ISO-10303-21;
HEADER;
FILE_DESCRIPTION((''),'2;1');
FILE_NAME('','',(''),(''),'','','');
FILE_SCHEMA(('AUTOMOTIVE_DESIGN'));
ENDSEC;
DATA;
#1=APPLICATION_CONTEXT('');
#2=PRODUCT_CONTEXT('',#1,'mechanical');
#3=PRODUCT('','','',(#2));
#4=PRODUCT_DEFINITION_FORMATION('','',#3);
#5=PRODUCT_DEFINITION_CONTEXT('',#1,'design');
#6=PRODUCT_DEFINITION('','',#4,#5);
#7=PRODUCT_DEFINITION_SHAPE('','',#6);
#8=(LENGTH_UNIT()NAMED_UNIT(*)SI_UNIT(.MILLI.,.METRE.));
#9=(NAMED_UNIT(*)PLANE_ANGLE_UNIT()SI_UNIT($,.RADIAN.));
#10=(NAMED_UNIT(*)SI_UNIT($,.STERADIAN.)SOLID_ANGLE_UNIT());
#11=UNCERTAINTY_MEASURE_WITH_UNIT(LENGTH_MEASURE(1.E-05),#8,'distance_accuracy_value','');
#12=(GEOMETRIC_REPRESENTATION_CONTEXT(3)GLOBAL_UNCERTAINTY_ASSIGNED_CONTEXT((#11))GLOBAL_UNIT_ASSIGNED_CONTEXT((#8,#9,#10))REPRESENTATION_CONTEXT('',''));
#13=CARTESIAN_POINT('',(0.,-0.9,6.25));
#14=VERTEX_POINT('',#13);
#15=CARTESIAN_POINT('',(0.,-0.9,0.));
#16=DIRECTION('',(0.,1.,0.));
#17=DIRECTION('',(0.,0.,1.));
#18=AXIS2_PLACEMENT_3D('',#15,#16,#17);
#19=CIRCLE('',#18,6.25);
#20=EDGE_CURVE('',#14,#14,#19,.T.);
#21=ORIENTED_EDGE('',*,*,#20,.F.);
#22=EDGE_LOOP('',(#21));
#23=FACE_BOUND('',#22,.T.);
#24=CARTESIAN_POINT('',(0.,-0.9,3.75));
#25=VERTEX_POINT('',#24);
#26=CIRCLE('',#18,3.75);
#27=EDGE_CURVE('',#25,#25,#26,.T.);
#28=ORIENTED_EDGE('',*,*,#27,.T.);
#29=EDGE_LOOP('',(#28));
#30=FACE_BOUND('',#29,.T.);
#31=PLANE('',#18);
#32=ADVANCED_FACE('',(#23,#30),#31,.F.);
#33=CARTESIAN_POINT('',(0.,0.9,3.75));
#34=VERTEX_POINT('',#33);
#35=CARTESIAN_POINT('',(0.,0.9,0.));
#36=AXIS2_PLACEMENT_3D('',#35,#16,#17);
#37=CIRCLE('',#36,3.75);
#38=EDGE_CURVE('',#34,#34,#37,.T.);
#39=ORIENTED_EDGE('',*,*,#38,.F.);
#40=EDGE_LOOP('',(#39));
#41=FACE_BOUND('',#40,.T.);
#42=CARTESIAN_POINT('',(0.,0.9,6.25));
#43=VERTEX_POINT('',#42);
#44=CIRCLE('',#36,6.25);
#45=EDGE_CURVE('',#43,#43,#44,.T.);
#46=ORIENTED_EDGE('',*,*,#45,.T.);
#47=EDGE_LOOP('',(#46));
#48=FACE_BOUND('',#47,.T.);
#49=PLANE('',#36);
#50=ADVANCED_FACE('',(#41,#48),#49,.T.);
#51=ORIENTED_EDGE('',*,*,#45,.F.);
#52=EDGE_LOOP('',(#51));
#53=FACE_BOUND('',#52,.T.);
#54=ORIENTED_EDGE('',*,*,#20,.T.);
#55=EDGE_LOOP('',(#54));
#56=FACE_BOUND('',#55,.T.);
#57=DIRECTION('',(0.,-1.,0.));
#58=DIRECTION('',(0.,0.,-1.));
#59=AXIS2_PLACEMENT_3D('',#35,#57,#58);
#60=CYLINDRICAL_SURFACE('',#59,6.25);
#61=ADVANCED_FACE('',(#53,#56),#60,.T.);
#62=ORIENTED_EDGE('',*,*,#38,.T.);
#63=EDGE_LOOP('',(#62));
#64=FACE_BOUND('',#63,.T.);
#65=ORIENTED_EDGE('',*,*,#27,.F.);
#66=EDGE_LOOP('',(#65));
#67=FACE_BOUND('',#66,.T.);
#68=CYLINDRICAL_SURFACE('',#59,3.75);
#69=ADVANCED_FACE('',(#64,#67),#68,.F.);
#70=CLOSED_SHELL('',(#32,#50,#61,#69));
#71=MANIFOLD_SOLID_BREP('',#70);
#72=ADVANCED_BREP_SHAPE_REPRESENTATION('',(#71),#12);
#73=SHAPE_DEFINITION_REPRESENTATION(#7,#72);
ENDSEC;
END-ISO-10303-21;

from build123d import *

# Parameters (mm, degrees)
SKETCH1_R           = 6.25
SKETCH1_R_2         = 3.75
BOSS_EXTRUDE1_DEPTH = 0.9


with BuildPart() as part:
    # Sketch1 → Boss-Extrude1 (new body, symmetric)
    with BuildSketch(Plane(origin=(0, 0, 0), x_dir=(1, 0, 0), z_dir=(0, 1, 0))):
        Circle(SKETCH1_R)
        Circle(SKETCH1_R_2, mode=Mode.SUBTRACT)
    extrude(amount=BOSS_EXTRUDE1_DEPTH, both=True)


solid = part.part
